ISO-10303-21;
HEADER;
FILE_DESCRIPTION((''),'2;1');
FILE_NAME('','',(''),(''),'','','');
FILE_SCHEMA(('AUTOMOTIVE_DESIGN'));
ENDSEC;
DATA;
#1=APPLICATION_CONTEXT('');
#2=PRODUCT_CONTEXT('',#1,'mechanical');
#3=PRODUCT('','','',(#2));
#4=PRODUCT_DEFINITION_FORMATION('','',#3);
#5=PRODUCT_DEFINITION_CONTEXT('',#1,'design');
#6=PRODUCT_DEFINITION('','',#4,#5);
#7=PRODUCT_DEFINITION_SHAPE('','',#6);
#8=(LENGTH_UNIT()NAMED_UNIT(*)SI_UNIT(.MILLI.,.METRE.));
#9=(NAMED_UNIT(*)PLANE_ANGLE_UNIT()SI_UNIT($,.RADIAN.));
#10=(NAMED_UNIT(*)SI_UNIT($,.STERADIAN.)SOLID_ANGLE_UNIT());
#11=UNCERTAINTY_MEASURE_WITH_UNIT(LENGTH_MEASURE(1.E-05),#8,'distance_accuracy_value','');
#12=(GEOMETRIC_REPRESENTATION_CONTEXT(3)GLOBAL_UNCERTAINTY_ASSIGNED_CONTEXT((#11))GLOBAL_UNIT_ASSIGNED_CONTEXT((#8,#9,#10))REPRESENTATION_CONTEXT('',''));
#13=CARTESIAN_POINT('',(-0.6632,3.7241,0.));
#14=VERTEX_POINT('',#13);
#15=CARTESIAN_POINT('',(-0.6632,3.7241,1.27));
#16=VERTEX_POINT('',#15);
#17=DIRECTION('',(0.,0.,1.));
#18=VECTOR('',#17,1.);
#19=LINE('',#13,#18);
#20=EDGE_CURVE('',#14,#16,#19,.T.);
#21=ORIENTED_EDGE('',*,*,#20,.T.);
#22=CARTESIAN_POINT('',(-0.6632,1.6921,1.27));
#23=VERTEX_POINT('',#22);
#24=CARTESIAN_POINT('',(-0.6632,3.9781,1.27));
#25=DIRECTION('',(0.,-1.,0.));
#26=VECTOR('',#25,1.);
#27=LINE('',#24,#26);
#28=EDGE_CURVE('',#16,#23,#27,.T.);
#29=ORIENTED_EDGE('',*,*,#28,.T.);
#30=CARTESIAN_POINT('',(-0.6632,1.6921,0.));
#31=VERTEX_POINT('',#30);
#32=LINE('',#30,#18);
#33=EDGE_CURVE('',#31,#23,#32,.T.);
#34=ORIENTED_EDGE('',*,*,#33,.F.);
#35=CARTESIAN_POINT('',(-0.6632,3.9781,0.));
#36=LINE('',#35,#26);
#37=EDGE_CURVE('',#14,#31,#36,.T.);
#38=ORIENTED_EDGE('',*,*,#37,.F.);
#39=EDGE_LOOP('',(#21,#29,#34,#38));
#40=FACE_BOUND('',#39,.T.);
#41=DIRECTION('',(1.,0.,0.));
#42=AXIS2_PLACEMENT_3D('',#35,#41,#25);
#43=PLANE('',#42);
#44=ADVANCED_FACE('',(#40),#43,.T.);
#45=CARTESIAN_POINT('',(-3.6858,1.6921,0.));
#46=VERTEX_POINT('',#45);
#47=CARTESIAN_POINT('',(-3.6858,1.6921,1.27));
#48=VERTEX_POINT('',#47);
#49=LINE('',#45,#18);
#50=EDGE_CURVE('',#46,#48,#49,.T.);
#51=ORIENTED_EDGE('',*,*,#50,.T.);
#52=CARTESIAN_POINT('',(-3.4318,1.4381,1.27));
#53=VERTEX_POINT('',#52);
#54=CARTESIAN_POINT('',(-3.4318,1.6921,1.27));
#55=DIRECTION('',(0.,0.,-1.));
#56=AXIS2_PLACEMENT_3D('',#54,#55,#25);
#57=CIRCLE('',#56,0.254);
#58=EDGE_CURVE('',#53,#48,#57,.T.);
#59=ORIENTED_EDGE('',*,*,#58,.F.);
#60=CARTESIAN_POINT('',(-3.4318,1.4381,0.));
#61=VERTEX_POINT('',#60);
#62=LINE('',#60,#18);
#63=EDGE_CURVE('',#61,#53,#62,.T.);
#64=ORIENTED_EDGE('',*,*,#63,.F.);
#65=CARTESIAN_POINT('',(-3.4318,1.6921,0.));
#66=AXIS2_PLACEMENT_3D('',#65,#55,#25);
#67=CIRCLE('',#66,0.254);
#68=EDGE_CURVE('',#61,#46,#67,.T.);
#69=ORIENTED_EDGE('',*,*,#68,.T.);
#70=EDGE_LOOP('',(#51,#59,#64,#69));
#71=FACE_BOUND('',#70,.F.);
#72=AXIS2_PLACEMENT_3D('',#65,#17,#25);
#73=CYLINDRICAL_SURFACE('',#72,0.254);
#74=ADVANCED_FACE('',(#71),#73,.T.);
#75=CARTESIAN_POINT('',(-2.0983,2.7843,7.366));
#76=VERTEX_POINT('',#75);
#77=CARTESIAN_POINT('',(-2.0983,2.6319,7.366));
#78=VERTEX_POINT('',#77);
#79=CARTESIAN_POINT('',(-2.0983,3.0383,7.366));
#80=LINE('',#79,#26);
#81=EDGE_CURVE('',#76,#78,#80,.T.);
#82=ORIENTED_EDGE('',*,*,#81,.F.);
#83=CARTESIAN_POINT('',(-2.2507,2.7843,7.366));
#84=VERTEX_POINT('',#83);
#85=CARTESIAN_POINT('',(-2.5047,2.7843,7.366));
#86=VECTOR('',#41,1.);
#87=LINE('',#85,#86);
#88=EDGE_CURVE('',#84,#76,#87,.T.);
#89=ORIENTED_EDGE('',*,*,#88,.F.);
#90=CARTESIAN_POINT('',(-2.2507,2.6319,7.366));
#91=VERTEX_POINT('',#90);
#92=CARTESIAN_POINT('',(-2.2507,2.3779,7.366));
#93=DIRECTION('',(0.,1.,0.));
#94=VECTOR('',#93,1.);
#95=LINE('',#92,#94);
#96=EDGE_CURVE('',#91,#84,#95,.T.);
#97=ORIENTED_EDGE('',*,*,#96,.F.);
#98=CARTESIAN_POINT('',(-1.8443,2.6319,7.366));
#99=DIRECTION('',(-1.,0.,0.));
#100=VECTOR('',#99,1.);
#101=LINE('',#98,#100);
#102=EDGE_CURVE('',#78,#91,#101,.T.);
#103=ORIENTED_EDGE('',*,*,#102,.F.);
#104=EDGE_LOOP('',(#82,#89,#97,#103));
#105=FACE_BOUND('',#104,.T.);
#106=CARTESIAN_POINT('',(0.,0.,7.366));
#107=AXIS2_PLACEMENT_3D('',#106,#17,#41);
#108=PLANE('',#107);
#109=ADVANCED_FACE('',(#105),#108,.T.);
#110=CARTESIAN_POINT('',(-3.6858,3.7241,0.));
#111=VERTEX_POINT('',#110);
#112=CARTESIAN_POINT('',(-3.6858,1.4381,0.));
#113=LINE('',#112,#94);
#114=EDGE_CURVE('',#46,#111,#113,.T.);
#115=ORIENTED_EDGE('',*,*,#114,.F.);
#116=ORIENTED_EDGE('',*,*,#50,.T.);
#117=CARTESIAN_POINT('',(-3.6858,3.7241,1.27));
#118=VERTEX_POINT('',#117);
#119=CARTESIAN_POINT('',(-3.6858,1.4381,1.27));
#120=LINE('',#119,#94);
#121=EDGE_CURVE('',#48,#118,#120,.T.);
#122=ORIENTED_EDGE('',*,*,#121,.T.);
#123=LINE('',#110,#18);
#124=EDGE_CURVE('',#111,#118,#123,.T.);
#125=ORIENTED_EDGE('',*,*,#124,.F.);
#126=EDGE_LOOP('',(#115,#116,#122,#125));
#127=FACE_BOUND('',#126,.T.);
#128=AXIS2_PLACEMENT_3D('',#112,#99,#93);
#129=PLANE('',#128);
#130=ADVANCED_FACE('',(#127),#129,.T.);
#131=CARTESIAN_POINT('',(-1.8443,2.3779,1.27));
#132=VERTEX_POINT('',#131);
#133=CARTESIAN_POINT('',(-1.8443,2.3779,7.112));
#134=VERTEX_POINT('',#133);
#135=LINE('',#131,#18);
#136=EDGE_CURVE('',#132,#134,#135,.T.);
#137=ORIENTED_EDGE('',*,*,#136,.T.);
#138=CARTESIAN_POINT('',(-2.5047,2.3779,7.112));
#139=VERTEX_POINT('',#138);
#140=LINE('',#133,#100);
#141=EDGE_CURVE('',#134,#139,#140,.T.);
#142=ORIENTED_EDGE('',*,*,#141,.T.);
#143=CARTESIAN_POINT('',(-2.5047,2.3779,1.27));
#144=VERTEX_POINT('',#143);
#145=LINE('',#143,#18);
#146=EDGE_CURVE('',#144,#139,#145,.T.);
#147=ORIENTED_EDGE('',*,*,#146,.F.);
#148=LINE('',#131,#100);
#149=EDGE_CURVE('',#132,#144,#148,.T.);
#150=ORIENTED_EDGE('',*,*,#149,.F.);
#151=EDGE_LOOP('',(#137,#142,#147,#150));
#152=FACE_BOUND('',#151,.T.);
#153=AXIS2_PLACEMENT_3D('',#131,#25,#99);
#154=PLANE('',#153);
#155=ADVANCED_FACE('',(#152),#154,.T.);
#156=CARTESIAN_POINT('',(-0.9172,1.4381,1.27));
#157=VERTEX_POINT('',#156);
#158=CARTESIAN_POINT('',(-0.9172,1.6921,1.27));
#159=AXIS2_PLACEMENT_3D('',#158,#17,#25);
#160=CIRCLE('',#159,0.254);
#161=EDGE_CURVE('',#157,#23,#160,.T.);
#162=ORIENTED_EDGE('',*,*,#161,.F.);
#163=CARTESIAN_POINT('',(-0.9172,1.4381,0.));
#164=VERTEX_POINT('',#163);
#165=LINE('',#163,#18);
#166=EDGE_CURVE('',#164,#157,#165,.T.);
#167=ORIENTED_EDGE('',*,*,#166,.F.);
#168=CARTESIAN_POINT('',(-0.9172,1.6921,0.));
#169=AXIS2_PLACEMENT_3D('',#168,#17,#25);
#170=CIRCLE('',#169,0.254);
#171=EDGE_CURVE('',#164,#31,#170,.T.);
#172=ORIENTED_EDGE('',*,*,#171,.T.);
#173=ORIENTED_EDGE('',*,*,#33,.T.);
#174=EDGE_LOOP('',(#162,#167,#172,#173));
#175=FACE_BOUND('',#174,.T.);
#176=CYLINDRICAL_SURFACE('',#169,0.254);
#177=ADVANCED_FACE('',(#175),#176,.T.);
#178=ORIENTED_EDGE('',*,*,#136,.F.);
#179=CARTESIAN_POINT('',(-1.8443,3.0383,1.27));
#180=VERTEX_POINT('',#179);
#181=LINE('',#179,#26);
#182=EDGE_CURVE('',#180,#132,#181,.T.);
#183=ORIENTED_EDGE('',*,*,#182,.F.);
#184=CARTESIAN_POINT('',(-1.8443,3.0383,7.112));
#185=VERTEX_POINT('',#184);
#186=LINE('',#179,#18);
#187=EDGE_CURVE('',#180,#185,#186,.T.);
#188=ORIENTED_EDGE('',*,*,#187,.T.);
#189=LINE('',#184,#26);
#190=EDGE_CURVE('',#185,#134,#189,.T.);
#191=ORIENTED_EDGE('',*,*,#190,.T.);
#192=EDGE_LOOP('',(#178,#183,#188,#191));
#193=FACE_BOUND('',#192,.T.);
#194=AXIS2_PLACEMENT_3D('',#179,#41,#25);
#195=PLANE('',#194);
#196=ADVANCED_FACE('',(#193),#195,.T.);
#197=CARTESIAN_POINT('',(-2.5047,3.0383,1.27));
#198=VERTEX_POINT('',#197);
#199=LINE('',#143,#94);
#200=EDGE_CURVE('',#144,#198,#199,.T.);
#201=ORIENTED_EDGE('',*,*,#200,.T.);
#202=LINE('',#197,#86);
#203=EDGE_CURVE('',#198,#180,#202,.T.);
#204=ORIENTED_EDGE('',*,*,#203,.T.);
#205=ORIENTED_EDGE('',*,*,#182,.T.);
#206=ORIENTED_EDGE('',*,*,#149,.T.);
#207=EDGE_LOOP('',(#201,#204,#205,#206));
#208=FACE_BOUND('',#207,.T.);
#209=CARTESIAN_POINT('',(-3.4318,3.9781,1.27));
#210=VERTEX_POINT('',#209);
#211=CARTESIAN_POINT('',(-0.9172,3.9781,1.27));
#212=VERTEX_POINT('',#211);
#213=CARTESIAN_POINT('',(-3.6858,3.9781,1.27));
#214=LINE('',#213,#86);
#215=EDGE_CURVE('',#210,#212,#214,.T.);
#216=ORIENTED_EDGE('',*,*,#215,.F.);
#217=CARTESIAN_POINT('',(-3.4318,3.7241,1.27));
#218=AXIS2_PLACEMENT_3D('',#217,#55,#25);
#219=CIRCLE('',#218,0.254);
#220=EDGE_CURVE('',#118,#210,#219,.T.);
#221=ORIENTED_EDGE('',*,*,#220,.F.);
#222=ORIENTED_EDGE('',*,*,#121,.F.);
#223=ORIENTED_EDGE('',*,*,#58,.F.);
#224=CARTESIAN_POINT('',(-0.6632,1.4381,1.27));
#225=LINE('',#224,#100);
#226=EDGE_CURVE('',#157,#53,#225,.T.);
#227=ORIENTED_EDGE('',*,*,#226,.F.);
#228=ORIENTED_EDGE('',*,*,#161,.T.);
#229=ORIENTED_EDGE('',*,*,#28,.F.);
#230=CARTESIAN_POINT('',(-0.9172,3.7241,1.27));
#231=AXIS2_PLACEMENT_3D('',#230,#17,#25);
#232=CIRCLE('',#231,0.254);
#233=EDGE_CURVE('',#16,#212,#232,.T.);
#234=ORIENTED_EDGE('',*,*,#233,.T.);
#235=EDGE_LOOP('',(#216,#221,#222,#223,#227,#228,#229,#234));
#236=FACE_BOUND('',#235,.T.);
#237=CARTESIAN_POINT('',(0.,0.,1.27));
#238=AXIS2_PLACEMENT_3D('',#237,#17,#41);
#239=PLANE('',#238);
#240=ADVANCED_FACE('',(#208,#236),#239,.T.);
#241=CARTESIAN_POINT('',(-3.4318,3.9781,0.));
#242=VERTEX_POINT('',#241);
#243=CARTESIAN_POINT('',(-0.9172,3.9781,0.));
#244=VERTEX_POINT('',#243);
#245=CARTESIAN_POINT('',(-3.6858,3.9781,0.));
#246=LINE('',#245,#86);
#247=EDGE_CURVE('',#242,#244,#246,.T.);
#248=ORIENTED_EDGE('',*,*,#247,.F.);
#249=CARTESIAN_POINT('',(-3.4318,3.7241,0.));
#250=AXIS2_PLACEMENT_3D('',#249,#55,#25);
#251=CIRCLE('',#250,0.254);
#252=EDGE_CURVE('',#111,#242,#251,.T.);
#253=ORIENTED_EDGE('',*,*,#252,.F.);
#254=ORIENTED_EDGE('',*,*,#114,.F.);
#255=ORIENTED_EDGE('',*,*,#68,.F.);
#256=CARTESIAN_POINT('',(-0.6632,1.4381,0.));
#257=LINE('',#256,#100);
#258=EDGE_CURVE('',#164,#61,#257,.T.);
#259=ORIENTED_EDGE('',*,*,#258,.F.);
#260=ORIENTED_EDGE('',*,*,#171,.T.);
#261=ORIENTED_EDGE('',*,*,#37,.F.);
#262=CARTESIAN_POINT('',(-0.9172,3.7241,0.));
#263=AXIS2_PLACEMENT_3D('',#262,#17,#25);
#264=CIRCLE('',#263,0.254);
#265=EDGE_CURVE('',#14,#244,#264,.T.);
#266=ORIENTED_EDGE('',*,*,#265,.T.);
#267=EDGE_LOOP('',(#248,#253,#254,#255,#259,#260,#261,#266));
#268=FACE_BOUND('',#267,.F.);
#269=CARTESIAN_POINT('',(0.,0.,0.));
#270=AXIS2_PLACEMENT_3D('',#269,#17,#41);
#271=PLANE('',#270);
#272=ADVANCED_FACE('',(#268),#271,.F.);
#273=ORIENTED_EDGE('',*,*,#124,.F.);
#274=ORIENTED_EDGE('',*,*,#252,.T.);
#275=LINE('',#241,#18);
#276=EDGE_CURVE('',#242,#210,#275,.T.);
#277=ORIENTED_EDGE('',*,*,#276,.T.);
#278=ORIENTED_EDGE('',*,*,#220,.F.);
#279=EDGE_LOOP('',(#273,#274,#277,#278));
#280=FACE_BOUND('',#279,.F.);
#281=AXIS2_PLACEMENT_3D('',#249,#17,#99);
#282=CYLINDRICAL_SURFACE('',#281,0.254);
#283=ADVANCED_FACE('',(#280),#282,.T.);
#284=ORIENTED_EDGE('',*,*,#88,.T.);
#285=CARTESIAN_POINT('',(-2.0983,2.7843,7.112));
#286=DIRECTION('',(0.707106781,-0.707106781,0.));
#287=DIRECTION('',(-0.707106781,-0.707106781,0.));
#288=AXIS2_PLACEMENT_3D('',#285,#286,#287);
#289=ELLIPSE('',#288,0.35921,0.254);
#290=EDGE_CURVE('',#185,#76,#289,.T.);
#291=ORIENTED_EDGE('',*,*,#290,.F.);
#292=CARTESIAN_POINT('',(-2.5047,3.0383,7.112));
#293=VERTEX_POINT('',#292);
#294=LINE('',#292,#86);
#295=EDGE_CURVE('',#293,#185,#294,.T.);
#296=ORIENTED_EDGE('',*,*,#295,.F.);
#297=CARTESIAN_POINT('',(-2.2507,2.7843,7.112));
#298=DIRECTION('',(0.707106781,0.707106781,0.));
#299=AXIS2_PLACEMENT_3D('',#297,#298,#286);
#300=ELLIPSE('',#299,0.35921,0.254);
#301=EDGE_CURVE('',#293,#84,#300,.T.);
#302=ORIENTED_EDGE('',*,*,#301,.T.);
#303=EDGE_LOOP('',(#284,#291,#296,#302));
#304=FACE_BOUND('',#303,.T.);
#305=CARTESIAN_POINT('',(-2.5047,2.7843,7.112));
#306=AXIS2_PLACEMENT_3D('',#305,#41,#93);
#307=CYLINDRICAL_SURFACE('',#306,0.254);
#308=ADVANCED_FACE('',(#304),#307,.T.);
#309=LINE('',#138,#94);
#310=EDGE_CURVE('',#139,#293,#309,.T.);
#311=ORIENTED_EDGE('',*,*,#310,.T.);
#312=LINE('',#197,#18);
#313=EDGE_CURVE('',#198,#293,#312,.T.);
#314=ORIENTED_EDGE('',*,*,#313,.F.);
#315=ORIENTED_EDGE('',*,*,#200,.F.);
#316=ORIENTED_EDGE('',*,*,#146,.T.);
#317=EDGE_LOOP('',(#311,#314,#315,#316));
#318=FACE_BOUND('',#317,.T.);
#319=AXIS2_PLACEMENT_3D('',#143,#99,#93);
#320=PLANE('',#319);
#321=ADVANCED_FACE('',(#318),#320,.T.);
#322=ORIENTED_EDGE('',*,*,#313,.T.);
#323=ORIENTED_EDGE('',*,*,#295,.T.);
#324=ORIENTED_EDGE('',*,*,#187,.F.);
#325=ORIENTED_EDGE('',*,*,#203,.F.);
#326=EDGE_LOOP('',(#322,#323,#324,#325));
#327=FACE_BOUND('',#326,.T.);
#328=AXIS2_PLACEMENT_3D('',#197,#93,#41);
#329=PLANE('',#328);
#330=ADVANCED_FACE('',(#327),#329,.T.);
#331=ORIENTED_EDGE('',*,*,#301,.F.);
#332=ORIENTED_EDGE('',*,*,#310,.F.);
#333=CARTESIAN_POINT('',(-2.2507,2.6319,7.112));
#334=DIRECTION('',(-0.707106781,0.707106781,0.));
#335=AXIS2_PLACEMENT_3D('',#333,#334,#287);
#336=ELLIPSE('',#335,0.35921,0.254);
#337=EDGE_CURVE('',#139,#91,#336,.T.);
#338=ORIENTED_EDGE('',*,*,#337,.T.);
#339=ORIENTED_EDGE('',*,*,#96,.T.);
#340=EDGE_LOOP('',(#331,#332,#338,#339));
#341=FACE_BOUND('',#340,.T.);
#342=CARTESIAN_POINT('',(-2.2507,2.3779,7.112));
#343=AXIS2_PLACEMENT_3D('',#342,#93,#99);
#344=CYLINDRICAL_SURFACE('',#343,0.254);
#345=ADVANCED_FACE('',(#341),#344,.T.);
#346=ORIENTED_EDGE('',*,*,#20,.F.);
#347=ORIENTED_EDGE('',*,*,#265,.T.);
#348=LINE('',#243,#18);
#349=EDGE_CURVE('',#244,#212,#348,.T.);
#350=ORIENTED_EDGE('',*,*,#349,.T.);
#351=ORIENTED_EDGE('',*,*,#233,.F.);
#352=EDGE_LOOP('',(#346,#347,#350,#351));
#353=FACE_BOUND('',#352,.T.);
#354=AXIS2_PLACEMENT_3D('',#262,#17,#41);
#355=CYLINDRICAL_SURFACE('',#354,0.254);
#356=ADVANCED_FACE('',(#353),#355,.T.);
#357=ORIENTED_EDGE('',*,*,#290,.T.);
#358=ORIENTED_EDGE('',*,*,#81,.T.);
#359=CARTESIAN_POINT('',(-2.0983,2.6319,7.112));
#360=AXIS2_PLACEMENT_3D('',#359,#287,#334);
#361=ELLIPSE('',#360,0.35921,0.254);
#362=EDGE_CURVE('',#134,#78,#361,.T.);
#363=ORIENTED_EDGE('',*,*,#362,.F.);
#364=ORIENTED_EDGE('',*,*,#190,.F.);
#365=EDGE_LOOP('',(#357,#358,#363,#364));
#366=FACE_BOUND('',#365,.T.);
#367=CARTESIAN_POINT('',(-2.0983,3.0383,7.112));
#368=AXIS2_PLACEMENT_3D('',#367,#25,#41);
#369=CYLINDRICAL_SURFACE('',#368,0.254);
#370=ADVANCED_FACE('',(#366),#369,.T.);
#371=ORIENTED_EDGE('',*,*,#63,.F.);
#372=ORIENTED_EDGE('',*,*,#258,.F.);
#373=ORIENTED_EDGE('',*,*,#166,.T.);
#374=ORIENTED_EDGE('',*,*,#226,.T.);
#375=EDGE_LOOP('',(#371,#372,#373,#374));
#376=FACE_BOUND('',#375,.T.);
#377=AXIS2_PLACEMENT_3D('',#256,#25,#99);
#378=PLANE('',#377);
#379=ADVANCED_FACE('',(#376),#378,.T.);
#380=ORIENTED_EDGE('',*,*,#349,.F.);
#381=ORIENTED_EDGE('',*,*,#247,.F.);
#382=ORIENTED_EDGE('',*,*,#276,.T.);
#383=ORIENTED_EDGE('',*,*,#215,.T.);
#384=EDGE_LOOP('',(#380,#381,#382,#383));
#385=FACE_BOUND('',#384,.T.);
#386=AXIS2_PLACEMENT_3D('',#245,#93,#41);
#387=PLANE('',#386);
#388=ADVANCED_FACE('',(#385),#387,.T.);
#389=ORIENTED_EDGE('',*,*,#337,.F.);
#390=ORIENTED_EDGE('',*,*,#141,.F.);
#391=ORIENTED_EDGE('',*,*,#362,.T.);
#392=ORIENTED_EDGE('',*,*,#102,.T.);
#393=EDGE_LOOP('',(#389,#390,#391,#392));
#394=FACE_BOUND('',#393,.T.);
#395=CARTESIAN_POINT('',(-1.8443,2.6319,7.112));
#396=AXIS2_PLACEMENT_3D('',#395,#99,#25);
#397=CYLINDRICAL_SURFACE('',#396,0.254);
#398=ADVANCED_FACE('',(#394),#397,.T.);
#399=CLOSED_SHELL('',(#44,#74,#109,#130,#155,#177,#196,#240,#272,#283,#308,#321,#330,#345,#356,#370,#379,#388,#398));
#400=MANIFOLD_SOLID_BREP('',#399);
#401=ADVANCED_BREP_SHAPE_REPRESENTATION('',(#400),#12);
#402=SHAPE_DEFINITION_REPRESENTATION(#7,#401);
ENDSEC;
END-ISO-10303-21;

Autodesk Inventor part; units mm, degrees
ref_plane "YZ Plane" through (0, 0, 0) normal (1, 0, 0) x (0, 1, 0)
ref_plane "XZ Plane" through (0, 0, 0) normal (0, 1, 0) x (-1, 0, 0)
ref_plane "XY Plane" through (0, 0, 0) normal (0, 0, 1) x (1, 0, 0)
sketch "Sketch1" plane through (0, 0, 0) normal (0, 0, 1) x (1, 0, 0)
  line L0 (-0.6632, 1.4381) -> (-3.6858, 1.4381)
  line L1 (-3.6858, 1.4381) -> (-3.6858, 3.9781)
  line L2 (-3.6858, 3.9781) -> (-0.6632, 3.9781)
  line L3 (-0.6632, 3.9781) -> (-0.6632, 1.4381)
  dimension "d0" = 3.0226
  dimension "d1" = 2.54
extrude "Extrusion1" add sketch "Sketch1" along normal blind 1.27
sketch "Sketch2" plane through (0, 0, 1.27) normal (0, 0, 1) x (1, 0, 0)
  line L0 (-2.5047, 3.0383) -> (-1.8443, 3.0383)
  line L1 (-1.8443, 3.0383) -> (-1.8443, 2.3779)
  line L2 (-1.8443, 2.3779) -> (-2.5047, 2.3779)
  line L3 (-2.5047, 2.3779) -> (-2.5047, 3.0383)
  point P0 (-2.1745, 2.7081)
  dimension "d6" = 0.3302
  dimension "d7" = 0.3302
  dimension "d8" = 0.3302
  dimension "d9" = 0.3302
extrude "Extrusion2" add sketch "Sketch2" along normal blind 6.096
fillet "Fillet1" radius 0.254 4 edges at (-2.1745, 2.3779, 7.366) (-1.8443, 2.7081, 7.366) (-2.1745, 3.0383, 7.366) (-2.5047, 2.7081, 7.366)
fillet "Fillet2" radius 0.254 4 edges at (-3.6858, 1.4381, 0.635) (-0.6632, 1.4381, 0.635) (-0.6632, 3.9781, 0.635) (-3.6858, 3.9781, 0.635)
equation "\"d7\" = d6"
equation "\"d8\" = d6"
equation "\"d9\" = d8"
properties part number "2009_CTS_CopperPost"
